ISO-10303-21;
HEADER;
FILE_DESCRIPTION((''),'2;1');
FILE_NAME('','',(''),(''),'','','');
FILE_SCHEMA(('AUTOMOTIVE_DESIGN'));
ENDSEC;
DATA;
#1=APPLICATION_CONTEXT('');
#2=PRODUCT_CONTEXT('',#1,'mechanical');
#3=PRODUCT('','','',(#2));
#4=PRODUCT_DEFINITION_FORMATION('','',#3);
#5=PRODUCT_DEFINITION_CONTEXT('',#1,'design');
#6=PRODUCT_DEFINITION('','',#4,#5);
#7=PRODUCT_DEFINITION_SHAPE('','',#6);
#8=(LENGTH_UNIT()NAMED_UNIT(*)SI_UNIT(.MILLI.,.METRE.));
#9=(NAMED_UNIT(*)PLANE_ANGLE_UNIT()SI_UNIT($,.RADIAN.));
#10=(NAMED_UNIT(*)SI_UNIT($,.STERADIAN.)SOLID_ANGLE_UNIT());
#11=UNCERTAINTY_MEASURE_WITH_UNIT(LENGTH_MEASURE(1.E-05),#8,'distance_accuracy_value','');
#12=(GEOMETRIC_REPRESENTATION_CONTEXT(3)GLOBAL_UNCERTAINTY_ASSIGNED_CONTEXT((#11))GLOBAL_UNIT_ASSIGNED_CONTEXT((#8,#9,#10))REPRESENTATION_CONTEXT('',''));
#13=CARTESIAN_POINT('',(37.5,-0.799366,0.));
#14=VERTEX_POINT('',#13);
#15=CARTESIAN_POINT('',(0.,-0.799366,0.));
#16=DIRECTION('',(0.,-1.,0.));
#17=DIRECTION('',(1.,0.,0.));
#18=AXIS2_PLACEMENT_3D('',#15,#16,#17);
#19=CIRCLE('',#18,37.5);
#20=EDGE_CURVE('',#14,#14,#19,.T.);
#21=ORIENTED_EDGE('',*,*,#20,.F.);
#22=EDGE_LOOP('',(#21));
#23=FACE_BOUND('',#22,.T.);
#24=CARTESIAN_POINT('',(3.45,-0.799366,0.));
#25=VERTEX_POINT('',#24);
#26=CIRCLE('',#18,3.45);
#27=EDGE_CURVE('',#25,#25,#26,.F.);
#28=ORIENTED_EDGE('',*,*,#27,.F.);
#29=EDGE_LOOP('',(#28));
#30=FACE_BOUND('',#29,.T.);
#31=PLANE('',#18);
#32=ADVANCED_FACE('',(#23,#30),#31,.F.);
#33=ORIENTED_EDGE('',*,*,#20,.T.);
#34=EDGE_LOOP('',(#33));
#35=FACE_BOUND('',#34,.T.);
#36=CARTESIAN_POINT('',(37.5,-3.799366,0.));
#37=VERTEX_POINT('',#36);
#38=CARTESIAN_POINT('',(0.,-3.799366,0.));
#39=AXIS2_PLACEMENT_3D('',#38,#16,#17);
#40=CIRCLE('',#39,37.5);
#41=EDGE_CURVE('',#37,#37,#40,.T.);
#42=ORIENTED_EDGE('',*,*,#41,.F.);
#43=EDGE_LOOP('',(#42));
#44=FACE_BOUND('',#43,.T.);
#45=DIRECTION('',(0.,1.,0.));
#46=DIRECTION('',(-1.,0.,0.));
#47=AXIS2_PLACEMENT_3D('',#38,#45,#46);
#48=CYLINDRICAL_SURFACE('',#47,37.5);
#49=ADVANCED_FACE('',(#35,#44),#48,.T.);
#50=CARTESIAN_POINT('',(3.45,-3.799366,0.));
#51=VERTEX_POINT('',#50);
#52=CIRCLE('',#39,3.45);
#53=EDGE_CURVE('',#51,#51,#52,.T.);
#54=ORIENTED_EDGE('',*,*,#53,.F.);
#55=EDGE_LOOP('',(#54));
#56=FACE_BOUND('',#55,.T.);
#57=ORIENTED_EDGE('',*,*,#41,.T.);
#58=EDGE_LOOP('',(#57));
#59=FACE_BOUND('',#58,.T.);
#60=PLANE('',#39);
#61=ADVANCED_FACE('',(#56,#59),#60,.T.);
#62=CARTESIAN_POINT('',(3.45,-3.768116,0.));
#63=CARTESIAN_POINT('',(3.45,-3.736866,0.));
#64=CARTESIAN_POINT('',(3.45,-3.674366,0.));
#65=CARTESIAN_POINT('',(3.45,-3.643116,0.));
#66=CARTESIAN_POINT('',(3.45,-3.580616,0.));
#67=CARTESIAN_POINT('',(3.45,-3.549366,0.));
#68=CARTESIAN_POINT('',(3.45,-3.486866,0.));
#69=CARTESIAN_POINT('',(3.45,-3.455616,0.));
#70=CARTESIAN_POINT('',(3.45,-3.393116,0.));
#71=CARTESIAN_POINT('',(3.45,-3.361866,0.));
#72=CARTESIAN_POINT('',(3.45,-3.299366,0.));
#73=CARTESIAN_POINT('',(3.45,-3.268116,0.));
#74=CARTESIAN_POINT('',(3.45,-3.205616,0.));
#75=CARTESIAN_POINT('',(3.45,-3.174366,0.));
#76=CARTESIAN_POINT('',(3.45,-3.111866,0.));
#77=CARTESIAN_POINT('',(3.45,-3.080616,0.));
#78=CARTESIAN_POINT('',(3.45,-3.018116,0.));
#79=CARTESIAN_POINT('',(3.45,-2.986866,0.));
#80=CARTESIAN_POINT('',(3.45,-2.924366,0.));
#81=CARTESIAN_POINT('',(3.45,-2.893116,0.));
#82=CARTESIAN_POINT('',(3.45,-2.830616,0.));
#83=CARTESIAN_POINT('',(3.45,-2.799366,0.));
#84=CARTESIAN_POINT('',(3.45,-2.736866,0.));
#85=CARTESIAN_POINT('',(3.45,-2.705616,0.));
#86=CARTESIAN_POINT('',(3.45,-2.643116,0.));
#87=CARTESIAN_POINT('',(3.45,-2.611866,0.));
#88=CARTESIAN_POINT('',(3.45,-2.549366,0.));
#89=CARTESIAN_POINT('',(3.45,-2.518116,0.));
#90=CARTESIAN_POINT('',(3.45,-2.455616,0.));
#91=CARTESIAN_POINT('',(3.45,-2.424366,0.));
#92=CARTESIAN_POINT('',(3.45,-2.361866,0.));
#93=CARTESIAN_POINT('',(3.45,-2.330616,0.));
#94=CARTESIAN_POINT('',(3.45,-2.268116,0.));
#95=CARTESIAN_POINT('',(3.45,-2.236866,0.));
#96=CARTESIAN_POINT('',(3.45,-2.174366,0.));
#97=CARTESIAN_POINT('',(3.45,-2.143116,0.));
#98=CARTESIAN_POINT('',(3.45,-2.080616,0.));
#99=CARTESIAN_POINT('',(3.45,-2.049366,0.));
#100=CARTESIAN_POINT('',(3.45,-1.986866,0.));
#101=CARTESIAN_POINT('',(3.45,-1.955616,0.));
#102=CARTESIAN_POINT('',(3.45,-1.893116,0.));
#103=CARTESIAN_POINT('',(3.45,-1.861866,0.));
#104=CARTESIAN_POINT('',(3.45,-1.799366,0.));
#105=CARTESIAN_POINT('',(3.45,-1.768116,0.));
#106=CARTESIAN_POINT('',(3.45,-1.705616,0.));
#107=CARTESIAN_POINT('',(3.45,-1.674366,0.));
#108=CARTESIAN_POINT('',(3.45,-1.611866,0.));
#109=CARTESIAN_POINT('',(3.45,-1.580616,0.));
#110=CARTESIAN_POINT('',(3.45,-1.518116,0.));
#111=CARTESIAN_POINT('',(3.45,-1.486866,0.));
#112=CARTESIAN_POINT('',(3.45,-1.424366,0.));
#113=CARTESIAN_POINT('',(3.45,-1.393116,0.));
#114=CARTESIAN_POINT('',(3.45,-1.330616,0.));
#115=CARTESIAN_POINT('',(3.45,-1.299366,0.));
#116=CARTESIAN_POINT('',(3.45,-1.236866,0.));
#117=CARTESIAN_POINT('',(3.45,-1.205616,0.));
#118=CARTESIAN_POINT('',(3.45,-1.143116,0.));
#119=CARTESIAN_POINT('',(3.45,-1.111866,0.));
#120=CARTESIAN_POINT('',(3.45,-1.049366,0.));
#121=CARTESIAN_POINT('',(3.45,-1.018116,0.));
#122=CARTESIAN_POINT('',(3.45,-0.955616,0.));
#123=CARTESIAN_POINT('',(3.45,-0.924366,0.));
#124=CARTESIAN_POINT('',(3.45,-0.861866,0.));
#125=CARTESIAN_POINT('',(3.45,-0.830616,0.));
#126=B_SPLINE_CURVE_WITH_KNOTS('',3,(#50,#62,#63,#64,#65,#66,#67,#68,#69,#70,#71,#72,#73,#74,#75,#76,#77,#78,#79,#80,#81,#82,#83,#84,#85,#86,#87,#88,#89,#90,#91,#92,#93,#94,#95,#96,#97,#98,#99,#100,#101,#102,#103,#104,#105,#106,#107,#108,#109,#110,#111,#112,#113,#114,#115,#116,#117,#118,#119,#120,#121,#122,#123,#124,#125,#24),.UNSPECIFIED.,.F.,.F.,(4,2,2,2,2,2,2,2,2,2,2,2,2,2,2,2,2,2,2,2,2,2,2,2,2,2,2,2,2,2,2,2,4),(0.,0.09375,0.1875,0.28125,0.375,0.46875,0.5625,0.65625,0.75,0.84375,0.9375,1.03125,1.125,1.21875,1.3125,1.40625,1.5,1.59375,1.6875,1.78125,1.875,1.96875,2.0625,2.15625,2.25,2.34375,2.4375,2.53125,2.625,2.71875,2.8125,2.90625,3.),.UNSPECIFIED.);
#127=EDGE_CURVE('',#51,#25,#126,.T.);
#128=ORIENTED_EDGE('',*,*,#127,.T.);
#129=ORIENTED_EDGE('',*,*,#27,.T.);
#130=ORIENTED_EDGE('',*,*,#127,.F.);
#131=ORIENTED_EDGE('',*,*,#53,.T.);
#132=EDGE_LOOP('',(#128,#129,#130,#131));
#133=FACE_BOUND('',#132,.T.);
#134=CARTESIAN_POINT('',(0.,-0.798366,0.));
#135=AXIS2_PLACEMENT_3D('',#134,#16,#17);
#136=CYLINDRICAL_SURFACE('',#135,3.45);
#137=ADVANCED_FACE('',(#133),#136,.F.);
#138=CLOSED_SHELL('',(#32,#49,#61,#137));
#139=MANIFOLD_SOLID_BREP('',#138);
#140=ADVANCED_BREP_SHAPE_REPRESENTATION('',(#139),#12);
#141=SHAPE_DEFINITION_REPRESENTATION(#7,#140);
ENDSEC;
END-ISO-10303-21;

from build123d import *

# Parameters (mm, degrees)
SKETCH1_R           = 37.5
BOSS_EXTRUDE1_DEPTH = 3
CUT_EXTRUDE1_REACH  = 55.118
SKETCH3_R           = 3.45


with BuildPart() as part:
    # Sketch1 → Boss-Extrude1 (new body)
    with BuildSketch(Plane.XZ.offset(0.799365958)):
        Circle(SKETCH1_R)
    extrude(amount=BOSS_EXTRUDE1_DEPTH)

    # Sketch3 → Cut-Extrude1 (cut, up to next)
    with BuildSketch(Plane.XZ.offset(3.799365958), mode=Mode.PRIVATE) as cut_extrude1_sk1:
        Circle(SKETCH3_R)
    cut_extrude1_tool1 = extrude(cut_extrude1_sk1.sketch, amount=-CUT_EXTRUDE1_REACH, mode=Mode.PRIVATE) & part.part
    add(cut_extrude1_tool1.solids().sort_by_distance((0, -3.799366, 0))[0], mode=Mode.SUBTRACT)


solid = part.part
